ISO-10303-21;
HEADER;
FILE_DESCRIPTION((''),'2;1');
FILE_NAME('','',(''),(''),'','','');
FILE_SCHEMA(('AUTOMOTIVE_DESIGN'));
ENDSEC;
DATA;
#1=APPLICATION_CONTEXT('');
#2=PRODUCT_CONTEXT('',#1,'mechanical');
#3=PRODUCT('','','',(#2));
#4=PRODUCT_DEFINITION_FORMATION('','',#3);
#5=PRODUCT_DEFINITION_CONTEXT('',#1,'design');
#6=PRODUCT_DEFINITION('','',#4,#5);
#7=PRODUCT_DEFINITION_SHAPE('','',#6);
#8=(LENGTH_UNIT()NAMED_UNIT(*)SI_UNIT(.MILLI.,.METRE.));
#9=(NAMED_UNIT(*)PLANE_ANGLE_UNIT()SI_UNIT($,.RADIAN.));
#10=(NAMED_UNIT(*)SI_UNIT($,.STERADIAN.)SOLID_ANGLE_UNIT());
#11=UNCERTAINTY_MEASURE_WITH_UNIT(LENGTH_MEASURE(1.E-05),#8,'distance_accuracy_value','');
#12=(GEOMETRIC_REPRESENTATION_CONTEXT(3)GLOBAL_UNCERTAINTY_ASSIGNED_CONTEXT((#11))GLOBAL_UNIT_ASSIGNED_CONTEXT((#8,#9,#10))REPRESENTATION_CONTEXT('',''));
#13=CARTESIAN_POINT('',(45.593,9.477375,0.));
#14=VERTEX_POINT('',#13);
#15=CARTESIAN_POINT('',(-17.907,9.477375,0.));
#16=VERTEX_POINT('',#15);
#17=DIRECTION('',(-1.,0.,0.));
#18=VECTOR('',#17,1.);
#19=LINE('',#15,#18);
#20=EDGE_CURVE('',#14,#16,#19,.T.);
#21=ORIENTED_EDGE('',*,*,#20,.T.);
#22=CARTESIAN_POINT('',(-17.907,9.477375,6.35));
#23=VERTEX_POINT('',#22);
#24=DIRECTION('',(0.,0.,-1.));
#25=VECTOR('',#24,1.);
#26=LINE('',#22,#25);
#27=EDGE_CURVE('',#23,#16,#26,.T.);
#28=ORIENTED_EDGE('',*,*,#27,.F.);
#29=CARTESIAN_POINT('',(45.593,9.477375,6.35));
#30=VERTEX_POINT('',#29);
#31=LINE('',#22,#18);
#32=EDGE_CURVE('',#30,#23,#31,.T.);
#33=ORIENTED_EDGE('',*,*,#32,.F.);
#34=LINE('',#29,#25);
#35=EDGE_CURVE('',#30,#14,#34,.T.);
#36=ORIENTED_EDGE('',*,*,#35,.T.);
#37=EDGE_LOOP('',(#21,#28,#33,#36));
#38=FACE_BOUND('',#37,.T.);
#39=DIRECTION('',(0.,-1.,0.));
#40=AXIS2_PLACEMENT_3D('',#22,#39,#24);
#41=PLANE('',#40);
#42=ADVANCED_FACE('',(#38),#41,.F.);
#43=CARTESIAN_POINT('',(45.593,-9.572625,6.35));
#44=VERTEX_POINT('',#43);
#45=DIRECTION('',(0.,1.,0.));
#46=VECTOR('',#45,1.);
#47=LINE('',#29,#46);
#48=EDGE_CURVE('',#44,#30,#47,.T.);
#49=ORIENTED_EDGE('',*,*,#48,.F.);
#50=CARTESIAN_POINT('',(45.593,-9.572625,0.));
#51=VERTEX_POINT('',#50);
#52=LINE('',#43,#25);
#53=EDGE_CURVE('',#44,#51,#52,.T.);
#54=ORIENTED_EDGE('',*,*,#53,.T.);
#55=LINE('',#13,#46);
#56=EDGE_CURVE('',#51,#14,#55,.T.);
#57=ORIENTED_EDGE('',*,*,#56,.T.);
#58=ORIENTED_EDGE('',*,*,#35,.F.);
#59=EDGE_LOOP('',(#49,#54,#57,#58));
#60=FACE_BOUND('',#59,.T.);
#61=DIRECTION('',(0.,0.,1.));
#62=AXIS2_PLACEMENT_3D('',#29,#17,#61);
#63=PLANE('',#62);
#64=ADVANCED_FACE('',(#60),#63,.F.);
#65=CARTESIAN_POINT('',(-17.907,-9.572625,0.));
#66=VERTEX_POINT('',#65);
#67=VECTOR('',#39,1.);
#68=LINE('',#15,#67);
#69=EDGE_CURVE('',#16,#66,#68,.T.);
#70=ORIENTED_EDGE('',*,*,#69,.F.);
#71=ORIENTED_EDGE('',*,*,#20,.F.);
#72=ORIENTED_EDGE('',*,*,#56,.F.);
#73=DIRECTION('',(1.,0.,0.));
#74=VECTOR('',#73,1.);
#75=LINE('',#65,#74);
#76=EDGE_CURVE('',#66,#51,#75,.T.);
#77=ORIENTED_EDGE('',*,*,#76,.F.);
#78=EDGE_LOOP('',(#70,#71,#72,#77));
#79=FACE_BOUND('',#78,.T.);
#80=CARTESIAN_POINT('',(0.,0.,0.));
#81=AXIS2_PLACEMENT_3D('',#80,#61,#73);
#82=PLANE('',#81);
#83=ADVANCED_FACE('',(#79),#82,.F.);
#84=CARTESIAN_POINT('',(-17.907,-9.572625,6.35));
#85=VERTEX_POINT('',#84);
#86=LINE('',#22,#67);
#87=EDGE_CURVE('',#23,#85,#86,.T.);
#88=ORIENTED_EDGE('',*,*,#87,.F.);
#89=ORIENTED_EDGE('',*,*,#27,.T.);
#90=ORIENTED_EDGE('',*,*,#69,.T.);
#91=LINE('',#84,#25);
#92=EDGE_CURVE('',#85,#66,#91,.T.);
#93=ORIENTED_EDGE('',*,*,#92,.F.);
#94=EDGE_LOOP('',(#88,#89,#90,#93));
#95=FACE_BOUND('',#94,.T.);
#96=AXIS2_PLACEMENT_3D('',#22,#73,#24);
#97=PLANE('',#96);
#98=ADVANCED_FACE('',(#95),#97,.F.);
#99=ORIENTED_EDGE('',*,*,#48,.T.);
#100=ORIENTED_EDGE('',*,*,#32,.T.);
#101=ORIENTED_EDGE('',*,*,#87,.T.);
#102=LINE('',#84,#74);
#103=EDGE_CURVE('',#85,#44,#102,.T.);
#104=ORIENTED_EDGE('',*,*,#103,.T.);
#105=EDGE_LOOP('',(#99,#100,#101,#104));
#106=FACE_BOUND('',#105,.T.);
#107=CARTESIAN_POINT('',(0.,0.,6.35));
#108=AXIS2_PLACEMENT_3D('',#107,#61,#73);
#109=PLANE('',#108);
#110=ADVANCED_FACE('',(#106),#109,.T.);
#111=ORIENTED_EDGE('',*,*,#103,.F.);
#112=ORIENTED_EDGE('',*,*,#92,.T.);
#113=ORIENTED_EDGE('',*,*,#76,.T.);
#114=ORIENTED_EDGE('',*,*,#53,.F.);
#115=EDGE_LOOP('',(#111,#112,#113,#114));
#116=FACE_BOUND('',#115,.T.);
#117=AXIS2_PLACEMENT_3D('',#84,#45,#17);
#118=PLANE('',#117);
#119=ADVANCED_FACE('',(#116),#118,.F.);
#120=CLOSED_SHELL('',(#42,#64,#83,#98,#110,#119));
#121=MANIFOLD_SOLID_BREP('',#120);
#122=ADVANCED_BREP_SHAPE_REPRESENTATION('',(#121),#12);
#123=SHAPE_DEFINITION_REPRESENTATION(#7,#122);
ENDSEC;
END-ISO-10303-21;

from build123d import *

# Parameters (mm, degrees)
SKETCH1_W           = 63.5
SKETCH1_H           = 19.05
BOSS_EXTRUDE1_DEPTH = 6.35


with BuildPart() as part:
    # Sketch1 → Boss-Extrude1 (new body)
    with BuildSketch(Plane.XY):
        with Locations((13.843, -0.047625)):
            Rectangle(SKETCH1_W, SKETCH1_H)
    extrude(amount=BOSS_EXTRUDE1_DEPTH)


solid = part.part
